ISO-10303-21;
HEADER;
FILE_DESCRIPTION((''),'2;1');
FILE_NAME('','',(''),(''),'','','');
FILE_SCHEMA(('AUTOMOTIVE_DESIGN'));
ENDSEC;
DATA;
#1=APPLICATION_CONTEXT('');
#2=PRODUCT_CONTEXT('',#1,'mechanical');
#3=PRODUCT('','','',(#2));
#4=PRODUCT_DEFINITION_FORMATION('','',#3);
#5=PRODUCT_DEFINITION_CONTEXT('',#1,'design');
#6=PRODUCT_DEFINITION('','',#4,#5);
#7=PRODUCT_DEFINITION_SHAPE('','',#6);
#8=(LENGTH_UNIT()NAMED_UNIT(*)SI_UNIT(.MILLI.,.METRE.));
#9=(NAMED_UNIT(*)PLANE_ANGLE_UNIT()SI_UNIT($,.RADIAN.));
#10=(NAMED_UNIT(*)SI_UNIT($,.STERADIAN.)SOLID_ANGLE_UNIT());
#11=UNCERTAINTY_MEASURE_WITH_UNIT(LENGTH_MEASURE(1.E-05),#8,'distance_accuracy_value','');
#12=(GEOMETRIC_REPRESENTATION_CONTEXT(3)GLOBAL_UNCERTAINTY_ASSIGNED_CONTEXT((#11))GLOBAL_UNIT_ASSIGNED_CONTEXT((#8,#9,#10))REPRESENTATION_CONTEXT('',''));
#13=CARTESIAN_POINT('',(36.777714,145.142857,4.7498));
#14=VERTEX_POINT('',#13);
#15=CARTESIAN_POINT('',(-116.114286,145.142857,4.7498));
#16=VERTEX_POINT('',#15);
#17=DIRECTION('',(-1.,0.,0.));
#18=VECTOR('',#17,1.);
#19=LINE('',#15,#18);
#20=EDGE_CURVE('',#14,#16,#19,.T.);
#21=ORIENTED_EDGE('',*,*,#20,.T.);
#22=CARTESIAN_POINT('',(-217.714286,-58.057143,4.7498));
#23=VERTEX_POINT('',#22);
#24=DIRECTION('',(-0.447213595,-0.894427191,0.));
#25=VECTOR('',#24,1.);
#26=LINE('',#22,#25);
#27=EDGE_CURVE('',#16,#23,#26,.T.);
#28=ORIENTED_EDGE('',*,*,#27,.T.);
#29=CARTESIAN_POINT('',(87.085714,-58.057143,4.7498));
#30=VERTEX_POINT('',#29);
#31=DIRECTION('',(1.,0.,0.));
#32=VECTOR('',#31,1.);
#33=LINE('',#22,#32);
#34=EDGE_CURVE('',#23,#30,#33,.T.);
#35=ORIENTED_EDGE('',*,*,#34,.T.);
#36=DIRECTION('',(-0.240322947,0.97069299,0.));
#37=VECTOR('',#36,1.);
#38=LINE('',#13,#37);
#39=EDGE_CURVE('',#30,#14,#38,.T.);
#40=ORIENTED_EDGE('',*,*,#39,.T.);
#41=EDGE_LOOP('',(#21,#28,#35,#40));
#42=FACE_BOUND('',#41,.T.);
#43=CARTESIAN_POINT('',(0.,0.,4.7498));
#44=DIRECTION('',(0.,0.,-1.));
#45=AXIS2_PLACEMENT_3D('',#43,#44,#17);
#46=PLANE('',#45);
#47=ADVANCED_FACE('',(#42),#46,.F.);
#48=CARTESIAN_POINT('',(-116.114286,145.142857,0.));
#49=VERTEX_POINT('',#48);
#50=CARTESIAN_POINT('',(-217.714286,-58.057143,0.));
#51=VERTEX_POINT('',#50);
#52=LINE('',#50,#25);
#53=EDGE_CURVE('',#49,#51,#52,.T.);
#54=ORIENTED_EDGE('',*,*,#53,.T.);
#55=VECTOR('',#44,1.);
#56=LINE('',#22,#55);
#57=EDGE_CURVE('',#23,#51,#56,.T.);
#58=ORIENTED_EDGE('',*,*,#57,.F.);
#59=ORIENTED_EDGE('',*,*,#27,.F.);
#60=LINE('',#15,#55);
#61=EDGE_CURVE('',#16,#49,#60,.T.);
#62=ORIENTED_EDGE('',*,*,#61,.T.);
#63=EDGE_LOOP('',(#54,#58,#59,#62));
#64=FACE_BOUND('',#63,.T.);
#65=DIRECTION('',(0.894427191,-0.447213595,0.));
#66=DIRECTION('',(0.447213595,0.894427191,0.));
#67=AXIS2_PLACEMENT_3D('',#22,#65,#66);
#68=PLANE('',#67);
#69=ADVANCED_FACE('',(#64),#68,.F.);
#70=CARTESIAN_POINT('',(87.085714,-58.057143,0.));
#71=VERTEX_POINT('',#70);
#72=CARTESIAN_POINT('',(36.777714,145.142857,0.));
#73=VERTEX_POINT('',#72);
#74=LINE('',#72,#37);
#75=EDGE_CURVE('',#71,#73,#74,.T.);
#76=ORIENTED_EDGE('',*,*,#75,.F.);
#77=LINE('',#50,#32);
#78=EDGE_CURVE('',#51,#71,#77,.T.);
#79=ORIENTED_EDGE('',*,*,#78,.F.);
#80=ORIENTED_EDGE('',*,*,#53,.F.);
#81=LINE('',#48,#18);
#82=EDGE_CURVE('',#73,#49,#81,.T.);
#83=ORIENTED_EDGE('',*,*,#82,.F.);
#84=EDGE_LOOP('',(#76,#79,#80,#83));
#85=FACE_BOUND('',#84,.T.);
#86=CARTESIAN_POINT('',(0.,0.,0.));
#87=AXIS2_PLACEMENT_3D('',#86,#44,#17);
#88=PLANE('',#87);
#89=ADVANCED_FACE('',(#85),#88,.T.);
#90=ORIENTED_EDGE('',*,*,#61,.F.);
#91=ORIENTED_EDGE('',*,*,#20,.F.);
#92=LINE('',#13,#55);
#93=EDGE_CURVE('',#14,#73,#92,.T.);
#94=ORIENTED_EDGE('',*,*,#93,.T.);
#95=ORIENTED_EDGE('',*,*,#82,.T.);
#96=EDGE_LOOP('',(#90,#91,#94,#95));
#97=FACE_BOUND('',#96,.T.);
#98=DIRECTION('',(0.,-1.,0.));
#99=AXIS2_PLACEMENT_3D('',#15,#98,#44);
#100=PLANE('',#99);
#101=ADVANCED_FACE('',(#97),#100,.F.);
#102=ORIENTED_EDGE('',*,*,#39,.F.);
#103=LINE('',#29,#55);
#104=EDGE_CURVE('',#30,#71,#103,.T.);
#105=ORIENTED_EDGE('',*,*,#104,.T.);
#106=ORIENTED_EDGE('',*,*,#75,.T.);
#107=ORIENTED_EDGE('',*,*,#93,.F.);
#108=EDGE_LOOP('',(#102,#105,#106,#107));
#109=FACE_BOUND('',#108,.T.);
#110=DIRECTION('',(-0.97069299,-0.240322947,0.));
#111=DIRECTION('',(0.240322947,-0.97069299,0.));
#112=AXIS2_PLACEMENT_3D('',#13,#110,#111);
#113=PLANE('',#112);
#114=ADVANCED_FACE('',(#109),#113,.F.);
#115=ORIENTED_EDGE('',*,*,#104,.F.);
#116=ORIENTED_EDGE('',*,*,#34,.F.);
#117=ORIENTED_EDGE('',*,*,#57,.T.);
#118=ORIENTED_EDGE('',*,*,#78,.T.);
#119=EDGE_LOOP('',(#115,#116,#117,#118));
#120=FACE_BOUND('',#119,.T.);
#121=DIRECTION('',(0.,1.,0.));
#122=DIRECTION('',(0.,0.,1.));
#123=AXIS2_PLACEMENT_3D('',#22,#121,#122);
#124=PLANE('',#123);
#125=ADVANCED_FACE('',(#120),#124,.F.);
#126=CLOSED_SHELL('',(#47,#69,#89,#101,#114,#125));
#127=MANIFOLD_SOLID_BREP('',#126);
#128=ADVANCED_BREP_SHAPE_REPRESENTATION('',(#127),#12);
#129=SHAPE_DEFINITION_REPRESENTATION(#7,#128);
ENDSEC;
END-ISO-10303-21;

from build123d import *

# Parameters (mm, degrees)
BOSS_EXTRUDE1_DEPTH = 4.7498


with BuildPart() as part:
    # Sketch1 → Boss-Extrude1 (new body)
    with BuildSketch(Plane.XY):
        Polygon((-217.714285714, -58.057142857), (87.085714286, -58.057142857), (36.777714408, 145.142857143), (-116.114285714, 145.142857143), align=None)
    extrude(amount=BOSS_EXTRUDE1_DEPTH)


solid = part.part
